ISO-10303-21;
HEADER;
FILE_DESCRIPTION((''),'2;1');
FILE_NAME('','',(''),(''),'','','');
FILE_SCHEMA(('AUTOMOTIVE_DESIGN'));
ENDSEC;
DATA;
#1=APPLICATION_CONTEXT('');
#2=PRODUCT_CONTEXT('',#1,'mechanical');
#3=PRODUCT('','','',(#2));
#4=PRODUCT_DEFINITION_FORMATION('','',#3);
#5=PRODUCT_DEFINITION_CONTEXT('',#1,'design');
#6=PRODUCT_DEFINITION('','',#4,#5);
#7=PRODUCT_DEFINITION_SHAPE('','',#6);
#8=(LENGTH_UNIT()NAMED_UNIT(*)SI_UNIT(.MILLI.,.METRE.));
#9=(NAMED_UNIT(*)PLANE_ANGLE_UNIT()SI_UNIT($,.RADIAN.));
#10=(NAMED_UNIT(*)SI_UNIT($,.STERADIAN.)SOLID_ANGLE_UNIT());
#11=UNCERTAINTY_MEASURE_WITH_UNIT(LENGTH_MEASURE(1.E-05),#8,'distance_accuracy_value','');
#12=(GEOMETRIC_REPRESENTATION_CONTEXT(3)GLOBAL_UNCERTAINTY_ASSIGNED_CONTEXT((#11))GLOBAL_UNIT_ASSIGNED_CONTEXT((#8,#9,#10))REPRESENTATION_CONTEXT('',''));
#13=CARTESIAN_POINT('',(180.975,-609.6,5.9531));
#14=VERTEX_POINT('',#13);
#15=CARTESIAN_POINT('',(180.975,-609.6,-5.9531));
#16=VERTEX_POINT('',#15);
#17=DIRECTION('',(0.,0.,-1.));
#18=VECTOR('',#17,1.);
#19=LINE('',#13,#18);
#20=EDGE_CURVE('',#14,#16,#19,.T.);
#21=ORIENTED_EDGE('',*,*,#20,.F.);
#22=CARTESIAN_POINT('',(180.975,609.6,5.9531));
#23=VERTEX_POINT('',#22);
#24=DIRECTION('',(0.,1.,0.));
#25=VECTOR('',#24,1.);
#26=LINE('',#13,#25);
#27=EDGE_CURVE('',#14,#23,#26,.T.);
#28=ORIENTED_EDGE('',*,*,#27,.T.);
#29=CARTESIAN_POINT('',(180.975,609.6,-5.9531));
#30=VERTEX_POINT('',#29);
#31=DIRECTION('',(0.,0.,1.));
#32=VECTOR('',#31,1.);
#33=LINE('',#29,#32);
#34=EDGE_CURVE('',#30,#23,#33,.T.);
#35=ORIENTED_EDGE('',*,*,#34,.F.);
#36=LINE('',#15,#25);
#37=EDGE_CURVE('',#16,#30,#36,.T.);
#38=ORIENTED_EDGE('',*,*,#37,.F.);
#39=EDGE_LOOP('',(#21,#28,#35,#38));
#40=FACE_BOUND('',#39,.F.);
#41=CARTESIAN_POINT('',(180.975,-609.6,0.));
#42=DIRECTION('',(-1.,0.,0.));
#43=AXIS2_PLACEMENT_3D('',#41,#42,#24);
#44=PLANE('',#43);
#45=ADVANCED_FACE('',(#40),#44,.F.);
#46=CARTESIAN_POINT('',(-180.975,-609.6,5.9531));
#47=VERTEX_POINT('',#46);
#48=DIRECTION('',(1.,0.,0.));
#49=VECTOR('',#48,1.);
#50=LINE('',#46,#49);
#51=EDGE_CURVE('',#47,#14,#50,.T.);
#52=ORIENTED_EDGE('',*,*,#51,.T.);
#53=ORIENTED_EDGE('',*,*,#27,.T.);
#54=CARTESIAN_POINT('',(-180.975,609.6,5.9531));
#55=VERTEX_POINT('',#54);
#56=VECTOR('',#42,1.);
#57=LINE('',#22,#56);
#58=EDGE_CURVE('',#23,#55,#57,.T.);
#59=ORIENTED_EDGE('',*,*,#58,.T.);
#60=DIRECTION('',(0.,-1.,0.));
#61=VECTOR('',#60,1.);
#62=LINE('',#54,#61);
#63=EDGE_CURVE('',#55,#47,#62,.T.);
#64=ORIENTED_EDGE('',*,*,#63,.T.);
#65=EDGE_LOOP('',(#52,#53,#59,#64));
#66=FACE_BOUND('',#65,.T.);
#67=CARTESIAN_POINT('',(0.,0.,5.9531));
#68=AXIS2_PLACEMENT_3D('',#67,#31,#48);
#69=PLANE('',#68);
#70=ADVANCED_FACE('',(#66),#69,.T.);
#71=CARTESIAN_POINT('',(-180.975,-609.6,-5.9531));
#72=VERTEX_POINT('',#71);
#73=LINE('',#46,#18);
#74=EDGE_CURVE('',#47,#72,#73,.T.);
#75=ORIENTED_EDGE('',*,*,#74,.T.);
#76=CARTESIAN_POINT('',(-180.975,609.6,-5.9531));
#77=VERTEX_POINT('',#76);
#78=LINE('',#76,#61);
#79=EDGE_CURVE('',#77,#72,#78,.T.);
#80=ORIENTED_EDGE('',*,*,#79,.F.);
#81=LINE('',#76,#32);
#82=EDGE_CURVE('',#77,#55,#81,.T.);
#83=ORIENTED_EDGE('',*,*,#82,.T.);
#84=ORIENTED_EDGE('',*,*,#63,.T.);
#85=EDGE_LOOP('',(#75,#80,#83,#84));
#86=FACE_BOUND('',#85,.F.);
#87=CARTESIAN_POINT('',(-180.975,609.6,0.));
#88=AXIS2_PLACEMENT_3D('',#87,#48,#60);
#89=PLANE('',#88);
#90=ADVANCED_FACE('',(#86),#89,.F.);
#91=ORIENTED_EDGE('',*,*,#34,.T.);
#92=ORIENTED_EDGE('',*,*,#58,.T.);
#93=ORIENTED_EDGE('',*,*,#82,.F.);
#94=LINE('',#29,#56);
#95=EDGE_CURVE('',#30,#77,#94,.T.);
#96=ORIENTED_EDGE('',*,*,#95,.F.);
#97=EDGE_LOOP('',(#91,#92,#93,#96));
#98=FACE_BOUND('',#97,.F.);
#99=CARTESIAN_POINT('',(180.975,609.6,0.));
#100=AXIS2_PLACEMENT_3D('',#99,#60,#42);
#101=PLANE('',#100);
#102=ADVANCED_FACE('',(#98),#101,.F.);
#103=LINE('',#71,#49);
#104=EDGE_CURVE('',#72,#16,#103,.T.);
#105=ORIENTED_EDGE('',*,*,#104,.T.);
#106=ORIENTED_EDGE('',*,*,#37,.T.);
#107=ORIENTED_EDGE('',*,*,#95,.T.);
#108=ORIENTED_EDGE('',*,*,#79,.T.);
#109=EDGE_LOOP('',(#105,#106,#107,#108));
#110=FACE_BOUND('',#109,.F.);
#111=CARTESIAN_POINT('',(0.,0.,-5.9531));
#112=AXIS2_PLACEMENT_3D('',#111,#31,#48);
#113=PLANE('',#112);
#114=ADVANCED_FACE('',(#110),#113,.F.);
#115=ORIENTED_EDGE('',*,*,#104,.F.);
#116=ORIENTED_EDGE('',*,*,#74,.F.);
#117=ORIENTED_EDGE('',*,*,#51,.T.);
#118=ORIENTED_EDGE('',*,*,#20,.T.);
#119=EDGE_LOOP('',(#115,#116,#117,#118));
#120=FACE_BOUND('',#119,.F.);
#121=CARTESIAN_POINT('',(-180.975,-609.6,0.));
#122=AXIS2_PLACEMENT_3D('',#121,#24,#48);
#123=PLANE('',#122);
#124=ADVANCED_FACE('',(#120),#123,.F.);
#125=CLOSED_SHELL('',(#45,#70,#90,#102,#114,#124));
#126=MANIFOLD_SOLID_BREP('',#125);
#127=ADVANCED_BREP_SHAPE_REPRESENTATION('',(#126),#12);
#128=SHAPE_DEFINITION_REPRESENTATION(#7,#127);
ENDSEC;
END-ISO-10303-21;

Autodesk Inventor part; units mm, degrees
ref_plane "YZ Plane" through (0, 0, 0) normal (1, 0, 0) x (0, 1, 0)
ref_plane "XZ Plane" through (0, 0, 0) normal (0, 1, 0) x (-1, 0, 0)
ref_plane "XY Plane" through (0, 0, 0) normal (0, 0, 1) x (1, 0, 0)
sketch "Sketch1" plane through (0, 0, 0) normal (0, 0, 1) x (1, 0, 0)
  line L0 (180.975, 609.6) -> (-180.975, 609.6)
  line L1 (-180.975, 609.6) -> (-180.975, -609.6)
  line L2 (-180.975, -609.6) -> (180.975, -609.6)
  line L3 (180.975, -609.6) -> (180.975, 609.6)
  line L4 (180.975, 609.6) -> (-180.975, -609.6) construction
  line L5 (-180.975, 609.6) -> (180.975, -609.6) construction
  point P0 (0, 0)
  dimension "d2" = 361.95
  dimension "d3" = 1219.2
extrude "Extrusion1" add sketch "Sketch1" along normal mid plane 11.9062
properties part number "Back"
